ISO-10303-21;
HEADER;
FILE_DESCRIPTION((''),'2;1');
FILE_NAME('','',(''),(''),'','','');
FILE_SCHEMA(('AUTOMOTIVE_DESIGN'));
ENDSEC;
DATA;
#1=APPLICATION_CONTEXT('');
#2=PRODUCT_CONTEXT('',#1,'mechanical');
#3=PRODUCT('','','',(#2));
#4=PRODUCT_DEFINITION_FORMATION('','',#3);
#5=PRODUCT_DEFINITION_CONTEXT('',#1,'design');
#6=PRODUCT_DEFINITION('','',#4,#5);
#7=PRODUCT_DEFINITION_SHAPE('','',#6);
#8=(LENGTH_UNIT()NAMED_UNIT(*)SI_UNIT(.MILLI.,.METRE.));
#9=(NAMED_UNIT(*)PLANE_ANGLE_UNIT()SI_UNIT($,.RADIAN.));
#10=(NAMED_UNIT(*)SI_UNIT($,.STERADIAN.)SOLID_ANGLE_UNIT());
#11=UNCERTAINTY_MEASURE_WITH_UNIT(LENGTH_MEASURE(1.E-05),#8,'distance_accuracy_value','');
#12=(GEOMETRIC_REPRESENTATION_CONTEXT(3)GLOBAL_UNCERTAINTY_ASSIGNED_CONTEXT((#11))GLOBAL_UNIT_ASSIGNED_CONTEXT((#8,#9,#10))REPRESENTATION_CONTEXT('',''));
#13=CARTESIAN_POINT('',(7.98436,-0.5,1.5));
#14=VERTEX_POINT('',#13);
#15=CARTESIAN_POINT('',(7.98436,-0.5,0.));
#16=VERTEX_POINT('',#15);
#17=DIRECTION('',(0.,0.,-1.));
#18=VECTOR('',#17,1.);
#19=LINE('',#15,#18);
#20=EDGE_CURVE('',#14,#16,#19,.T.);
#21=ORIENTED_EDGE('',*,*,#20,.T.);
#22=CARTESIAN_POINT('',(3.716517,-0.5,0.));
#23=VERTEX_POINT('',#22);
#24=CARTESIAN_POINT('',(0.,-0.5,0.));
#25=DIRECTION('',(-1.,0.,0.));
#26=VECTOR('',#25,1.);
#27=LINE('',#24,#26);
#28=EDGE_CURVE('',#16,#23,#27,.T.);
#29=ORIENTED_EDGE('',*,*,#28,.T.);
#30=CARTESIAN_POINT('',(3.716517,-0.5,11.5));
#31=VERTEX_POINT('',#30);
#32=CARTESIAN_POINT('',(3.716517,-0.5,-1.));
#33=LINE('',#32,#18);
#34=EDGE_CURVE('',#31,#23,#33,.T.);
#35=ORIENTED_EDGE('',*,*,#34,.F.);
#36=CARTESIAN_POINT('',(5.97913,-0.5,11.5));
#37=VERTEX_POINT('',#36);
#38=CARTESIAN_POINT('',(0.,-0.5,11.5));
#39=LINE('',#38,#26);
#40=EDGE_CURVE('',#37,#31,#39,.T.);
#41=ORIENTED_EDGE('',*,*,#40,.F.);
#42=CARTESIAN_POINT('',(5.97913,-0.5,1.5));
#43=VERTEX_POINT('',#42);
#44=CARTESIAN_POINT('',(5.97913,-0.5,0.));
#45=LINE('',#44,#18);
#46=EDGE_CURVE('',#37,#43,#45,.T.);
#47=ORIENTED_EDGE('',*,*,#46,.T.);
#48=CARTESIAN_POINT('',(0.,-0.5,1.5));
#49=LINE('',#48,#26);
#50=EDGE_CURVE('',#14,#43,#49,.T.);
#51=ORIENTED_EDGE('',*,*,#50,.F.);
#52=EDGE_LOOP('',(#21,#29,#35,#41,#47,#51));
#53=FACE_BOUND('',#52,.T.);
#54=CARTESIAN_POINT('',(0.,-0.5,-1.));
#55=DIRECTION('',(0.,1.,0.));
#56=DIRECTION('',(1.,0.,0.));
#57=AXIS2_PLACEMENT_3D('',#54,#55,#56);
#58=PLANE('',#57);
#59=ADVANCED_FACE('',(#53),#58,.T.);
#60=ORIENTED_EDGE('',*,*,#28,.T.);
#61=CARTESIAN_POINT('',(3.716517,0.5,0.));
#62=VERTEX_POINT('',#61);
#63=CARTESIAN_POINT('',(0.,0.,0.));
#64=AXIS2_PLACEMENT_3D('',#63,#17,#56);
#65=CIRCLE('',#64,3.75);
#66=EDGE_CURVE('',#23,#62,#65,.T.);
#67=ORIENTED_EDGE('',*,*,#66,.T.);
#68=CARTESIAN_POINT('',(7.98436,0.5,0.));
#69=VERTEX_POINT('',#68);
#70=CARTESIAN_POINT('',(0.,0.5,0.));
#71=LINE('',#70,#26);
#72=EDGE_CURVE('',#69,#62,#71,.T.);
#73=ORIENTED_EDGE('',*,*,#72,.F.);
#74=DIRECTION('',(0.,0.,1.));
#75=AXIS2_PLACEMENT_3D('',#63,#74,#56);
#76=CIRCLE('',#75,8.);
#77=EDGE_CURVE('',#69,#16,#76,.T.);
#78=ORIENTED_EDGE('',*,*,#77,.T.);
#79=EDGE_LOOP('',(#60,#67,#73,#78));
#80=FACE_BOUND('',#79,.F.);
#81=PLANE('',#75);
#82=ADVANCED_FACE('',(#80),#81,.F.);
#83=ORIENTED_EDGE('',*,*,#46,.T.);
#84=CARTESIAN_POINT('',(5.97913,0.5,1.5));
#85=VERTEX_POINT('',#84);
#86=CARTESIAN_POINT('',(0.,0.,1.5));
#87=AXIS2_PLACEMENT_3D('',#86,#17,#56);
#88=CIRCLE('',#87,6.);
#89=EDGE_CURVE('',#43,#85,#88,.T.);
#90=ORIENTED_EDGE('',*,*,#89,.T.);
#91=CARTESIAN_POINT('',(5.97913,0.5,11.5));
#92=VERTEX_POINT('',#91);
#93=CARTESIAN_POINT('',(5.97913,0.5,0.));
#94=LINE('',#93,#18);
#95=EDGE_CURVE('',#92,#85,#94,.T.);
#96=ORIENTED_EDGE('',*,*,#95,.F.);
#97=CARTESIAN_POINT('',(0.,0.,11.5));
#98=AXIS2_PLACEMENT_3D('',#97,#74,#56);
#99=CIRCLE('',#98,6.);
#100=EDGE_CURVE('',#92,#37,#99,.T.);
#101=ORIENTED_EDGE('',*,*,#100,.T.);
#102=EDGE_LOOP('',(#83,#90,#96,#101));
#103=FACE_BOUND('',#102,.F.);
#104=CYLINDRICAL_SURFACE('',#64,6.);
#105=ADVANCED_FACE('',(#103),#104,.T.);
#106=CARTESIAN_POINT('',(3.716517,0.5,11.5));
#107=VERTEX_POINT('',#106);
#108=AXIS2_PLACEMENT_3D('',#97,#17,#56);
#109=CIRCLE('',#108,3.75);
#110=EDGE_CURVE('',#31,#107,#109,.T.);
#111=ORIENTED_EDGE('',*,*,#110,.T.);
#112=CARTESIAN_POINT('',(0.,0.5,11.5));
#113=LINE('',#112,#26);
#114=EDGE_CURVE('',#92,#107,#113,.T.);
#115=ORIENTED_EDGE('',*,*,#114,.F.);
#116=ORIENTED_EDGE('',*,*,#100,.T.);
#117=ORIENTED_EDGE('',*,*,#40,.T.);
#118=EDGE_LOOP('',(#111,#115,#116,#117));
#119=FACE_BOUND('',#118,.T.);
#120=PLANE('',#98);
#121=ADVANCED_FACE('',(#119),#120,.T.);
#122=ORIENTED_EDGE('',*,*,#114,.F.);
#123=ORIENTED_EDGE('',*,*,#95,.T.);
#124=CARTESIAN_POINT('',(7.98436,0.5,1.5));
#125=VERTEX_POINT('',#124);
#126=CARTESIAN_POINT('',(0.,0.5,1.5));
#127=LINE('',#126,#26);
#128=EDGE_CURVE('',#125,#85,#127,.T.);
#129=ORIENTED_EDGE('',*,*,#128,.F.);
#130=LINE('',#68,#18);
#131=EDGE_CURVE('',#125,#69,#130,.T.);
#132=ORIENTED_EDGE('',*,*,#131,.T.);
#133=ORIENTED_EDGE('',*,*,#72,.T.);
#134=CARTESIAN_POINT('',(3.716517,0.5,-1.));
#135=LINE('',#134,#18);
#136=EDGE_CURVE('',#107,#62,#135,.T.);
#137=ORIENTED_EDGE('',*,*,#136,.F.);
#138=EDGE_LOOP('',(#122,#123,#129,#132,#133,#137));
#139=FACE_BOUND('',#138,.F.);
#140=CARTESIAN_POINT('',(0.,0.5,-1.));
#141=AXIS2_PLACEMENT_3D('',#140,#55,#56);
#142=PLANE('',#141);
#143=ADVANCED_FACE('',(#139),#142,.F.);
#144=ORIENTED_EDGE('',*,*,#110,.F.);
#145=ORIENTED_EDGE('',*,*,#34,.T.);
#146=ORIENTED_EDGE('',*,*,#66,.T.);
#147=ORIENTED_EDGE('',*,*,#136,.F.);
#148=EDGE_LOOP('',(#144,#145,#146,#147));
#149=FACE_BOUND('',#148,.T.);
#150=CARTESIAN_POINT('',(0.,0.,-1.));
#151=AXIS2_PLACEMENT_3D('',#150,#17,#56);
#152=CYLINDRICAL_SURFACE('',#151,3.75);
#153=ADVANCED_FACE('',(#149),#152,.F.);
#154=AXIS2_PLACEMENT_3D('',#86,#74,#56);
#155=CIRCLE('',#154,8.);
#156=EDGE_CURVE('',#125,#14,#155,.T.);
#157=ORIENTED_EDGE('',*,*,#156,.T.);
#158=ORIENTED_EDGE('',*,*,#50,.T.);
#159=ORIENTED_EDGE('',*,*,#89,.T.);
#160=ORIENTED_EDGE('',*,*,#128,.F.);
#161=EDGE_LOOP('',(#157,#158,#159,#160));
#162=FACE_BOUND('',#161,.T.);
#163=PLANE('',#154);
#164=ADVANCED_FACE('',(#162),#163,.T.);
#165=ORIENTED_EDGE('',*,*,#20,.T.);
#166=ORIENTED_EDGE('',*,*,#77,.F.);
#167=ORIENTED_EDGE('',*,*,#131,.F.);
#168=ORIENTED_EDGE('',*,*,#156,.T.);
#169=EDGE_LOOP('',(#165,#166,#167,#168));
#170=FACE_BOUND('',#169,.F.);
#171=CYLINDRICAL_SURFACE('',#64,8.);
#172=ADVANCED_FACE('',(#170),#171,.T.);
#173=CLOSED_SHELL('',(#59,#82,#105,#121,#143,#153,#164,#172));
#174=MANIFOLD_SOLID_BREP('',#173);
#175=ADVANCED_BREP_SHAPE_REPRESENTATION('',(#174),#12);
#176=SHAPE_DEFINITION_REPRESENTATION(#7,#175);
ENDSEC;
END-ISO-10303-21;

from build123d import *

# Parameters (mm, degrees)
BOX_W             = 10
BOX_H             = 1
BOX_DEPTH         = 14
CYLINDER002_R     = 3.75
CYLINDER002_DEPTH = 14
CYLINDER001_R     = 8
CYLINDER001_DEPTH = 1.5
CYLINDER_R        = 6
CYLINDER_DEPTH    = 11.5


with BuildPart() as opening:
    # Box → Box (new body)
    with BuildSketch(Plane(origin=(0, -0.5, -1), x_dir=(1, 0, 0), z_dir=(0, 0, 1))):
        with Locations((5, 0.5)):
            Rectangle(BOX_W, BOX_H)
    extrude(amount=BOX_DEPTH)


with BuildPart() as inner:
    # Cylinder002 → Cylinder002 (new body)
    with BuildSketch(Plane.XY.offset(-1)):
        Circle(CYLINDER002_R)
    extrude(amount=CYLINDER002_DEPTH)


with BuildPart() as base:
    # Cylinder001 → Cylinder001 (new body)
    with BuildSketch(Plane.XY):
        Circle(CYLINDER001_R)
    extrude(amount=CYLINDER001_DEPTH)


with BuildPart() as gap:
    # Cylinder → Cylinder (new body)
    with BuildSketch(Plane.XY):
        Circle(CYLINDER_R)
    extrude(amount=CYLINDER_DEPTH)

    # Fusion: union base
    add(base.part)

    # Cut: cut inner
    add(inner.part, mode=Mode.SUBTRACT)

    # Cut001: cut opening
    add(opening.part, mode=Mode.SUBTRACT)


solid = gap.part
